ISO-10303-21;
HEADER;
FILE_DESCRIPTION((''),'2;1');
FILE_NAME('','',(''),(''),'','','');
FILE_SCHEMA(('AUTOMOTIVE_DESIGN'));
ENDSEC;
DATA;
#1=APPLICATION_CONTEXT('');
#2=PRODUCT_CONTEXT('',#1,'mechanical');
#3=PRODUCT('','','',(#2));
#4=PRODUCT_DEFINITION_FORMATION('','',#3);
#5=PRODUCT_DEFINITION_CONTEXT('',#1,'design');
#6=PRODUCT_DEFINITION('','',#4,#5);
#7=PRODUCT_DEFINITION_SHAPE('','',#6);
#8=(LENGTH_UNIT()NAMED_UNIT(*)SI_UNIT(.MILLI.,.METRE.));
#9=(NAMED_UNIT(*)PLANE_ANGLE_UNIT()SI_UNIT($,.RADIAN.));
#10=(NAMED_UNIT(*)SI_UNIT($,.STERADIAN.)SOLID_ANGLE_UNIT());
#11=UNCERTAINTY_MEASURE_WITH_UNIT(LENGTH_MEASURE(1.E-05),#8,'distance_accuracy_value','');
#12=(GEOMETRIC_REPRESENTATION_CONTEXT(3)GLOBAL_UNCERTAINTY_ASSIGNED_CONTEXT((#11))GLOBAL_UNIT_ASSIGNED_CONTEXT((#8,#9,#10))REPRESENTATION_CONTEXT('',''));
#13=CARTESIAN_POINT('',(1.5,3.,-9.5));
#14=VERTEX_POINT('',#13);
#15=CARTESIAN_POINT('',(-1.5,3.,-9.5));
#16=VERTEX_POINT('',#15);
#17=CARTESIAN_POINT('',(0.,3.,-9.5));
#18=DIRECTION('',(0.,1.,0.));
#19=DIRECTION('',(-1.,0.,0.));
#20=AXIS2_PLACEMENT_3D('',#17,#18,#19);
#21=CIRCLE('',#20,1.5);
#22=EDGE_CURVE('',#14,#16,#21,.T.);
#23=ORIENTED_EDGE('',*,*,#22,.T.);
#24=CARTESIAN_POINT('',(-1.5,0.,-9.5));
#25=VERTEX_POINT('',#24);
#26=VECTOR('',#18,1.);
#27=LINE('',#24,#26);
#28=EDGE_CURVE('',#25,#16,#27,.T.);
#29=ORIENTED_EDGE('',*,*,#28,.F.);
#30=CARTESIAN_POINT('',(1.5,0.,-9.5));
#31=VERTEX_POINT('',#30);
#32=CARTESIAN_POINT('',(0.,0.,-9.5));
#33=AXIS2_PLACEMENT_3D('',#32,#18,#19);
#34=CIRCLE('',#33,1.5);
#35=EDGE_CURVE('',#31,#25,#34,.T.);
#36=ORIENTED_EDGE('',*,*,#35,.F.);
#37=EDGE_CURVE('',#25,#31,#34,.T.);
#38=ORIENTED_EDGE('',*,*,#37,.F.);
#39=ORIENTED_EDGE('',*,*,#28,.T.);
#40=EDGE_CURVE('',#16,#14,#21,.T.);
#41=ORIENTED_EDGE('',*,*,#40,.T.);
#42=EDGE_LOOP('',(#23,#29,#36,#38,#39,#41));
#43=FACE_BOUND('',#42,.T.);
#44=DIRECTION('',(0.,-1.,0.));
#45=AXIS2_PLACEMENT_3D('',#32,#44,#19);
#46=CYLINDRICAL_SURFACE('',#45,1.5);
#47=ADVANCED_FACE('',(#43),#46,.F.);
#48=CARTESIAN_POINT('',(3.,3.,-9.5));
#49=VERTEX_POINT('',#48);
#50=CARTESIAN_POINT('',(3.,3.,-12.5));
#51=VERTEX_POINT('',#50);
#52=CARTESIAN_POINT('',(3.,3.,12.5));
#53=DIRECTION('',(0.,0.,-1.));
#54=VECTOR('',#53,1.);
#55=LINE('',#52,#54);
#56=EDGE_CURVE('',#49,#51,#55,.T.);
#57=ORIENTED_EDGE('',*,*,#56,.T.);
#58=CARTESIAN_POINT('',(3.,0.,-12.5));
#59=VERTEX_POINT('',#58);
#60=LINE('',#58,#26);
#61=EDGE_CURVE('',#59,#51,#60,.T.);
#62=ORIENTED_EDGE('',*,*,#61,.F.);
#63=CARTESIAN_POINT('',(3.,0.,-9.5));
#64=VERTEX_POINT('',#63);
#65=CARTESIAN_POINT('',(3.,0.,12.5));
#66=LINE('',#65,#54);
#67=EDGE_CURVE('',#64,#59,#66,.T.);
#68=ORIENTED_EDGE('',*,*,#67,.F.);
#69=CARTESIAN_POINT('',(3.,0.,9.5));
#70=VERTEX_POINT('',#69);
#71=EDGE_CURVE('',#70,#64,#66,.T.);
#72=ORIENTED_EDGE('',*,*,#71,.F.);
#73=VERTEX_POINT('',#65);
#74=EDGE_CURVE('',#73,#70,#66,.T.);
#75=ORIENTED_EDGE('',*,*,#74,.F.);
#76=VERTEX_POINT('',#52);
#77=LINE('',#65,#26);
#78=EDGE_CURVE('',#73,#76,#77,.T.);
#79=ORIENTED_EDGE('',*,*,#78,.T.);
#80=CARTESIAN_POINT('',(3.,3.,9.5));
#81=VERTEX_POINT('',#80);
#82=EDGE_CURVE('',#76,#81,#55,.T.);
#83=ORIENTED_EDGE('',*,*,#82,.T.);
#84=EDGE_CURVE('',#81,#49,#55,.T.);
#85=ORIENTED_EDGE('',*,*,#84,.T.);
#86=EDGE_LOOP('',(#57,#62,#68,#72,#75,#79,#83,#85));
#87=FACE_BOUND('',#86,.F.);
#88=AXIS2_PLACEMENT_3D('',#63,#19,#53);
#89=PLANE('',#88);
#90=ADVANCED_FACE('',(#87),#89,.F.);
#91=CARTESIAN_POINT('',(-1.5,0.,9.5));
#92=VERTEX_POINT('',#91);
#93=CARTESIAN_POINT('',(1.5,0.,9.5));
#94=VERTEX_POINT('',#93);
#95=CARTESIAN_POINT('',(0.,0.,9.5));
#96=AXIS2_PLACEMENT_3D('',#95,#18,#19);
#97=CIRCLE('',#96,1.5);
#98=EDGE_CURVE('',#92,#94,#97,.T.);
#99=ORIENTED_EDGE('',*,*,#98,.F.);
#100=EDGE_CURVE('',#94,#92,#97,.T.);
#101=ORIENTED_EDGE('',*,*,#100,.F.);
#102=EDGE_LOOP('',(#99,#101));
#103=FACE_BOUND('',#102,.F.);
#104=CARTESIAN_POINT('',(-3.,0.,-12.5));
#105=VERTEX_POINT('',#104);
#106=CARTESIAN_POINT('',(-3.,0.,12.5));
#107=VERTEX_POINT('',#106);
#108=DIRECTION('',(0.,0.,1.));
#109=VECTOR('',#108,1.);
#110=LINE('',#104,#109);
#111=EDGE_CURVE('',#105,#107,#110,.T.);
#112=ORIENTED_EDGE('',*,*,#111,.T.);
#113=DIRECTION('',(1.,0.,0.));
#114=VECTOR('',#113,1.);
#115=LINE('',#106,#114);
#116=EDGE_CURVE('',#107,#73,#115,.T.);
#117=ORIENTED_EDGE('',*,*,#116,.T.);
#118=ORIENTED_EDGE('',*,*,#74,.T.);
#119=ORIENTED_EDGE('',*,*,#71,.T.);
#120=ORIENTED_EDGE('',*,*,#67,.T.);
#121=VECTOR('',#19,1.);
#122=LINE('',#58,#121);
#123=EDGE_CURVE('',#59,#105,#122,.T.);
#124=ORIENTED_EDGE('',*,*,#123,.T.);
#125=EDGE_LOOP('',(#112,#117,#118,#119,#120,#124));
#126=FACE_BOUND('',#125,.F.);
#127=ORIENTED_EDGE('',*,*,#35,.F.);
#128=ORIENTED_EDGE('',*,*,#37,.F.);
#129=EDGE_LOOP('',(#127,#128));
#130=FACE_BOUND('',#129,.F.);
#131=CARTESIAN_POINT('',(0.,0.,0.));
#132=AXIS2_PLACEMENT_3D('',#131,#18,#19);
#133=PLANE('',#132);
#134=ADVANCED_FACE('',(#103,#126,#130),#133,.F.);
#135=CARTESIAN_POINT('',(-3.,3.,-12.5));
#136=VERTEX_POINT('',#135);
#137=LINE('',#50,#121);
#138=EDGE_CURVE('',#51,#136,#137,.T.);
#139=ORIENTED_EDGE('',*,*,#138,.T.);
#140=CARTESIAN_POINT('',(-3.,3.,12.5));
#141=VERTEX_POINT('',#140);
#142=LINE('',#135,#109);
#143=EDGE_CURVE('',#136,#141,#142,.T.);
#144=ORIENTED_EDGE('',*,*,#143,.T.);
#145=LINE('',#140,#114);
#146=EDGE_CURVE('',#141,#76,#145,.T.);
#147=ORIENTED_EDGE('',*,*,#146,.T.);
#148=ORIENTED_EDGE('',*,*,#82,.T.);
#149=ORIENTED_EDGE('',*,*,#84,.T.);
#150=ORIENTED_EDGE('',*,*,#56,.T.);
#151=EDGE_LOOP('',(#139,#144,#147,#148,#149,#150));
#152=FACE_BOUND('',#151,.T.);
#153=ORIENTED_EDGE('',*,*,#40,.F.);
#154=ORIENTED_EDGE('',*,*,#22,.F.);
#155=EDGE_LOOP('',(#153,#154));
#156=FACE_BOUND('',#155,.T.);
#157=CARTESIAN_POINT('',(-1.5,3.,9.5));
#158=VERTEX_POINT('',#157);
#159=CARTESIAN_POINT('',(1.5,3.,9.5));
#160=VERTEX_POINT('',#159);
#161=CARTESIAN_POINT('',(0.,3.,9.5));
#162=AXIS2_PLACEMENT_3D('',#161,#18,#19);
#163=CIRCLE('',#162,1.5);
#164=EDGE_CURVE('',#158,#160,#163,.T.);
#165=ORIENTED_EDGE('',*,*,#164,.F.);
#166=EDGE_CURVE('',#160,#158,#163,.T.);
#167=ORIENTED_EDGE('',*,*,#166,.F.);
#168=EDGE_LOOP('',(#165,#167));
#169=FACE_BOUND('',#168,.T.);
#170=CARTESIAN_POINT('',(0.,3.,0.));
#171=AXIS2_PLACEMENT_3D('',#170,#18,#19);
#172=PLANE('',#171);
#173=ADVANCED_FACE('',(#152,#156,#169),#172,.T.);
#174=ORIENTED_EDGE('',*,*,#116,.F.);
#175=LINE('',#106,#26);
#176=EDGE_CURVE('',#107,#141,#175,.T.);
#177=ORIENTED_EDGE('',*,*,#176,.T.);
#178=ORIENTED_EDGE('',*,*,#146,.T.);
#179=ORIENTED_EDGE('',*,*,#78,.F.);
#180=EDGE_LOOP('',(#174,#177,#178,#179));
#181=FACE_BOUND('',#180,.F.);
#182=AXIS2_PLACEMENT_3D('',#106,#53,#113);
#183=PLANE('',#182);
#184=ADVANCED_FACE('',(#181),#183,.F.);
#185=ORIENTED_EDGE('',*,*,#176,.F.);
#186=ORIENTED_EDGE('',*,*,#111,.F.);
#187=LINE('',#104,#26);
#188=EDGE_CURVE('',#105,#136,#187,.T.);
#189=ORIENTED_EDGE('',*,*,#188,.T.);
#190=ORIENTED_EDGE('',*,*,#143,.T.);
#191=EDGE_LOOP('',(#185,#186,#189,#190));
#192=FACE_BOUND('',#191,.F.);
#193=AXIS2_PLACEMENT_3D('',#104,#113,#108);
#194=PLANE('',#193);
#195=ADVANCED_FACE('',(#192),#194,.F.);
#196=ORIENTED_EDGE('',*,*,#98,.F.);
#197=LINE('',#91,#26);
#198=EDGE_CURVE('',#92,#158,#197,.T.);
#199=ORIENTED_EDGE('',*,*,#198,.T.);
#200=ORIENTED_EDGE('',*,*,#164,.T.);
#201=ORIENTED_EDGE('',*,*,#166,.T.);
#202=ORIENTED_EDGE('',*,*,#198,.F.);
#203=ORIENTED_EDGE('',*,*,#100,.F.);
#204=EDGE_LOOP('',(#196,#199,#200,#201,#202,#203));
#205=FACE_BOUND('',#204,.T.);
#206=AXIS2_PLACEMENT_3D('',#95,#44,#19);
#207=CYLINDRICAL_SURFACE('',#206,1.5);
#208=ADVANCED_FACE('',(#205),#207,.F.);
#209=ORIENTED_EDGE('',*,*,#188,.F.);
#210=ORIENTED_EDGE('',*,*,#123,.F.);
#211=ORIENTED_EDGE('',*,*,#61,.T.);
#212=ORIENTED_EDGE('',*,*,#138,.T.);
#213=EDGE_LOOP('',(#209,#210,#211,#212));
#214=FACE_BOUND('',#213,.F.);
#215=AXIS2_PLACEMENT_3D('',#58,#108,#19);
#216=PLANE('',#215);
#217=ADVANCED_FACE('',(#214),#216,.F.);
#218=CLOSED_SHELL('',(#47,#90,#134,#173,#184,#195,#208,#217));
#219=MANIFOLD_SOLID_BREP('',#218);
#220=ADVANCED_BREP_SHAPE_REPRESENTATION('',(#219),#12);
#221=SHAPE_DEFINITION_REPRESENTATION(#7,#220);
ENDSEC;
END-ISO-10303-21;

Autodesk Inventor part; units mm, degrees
ref_plane "YZ Plane" through (0, 0, 0) normal (1, 0, 0) x (0, 1, 0)
ref_plane "XZ Plane" through (0, 0, 0) normal (0, 1, 0) x (-1, 0, 0)
ref_plane "XY Plane" through (0, 0, 0) normal (0, 0, 1) x (1, 0, 0)
sketch "Sketch1" plane through (0, 0, 0) normal (0, 1, 0) x (-1, 0, 0)
  line L0 (3, 12.5) -> (-3, 12.5)
  line L1 (-3, 12.5) -> (-3, -12.5)
  line L2 (-3, -12.5) -> (3, -12.5)
  line L3 (3, -12.5) -> (3, 12.5)
  line L4 (3, 12.5) -> (-3, -12.5) construction
  line L5 (-3, 12.5) -> (3, -12.5) construction
  line L6 (-3, -12.5) -> (-3, -9.5)
  line L7 (-3, -9.5) -> (0, -9.5)
  circle A0 centre (0, -9.5) radius 1.5
  line L8 (-3, 12.5) -> (-3, 9.5)
  line L9 (-3, 9.5) -> (0, 9.5)
  circle A1 centre (0, 9.5) radius 1.5
  point P0 (0, 0)
  dimension "d0" = 6
  dimension "d1" = 25
  dimension "d4" = 3
  dimension "d5" = 3
  dimension "d6" = 3
  dimension "d7" = 3
  dimension "d8" = 3
  dimension "d9" = 3
extrude "Extrusion1" add sketch "Sketch1" along normal blind 3 contours A1 | A0 | L3 L2 L1 L0
extrude "Extrusion2" cut sketch "Sketch1" along normal blind 3 contours A0
extrude "Extrusion3" cut sketch "Sketch1" along normal blind 3 contours A1
properties part number "Akrilik Kabel SD Serayu"
